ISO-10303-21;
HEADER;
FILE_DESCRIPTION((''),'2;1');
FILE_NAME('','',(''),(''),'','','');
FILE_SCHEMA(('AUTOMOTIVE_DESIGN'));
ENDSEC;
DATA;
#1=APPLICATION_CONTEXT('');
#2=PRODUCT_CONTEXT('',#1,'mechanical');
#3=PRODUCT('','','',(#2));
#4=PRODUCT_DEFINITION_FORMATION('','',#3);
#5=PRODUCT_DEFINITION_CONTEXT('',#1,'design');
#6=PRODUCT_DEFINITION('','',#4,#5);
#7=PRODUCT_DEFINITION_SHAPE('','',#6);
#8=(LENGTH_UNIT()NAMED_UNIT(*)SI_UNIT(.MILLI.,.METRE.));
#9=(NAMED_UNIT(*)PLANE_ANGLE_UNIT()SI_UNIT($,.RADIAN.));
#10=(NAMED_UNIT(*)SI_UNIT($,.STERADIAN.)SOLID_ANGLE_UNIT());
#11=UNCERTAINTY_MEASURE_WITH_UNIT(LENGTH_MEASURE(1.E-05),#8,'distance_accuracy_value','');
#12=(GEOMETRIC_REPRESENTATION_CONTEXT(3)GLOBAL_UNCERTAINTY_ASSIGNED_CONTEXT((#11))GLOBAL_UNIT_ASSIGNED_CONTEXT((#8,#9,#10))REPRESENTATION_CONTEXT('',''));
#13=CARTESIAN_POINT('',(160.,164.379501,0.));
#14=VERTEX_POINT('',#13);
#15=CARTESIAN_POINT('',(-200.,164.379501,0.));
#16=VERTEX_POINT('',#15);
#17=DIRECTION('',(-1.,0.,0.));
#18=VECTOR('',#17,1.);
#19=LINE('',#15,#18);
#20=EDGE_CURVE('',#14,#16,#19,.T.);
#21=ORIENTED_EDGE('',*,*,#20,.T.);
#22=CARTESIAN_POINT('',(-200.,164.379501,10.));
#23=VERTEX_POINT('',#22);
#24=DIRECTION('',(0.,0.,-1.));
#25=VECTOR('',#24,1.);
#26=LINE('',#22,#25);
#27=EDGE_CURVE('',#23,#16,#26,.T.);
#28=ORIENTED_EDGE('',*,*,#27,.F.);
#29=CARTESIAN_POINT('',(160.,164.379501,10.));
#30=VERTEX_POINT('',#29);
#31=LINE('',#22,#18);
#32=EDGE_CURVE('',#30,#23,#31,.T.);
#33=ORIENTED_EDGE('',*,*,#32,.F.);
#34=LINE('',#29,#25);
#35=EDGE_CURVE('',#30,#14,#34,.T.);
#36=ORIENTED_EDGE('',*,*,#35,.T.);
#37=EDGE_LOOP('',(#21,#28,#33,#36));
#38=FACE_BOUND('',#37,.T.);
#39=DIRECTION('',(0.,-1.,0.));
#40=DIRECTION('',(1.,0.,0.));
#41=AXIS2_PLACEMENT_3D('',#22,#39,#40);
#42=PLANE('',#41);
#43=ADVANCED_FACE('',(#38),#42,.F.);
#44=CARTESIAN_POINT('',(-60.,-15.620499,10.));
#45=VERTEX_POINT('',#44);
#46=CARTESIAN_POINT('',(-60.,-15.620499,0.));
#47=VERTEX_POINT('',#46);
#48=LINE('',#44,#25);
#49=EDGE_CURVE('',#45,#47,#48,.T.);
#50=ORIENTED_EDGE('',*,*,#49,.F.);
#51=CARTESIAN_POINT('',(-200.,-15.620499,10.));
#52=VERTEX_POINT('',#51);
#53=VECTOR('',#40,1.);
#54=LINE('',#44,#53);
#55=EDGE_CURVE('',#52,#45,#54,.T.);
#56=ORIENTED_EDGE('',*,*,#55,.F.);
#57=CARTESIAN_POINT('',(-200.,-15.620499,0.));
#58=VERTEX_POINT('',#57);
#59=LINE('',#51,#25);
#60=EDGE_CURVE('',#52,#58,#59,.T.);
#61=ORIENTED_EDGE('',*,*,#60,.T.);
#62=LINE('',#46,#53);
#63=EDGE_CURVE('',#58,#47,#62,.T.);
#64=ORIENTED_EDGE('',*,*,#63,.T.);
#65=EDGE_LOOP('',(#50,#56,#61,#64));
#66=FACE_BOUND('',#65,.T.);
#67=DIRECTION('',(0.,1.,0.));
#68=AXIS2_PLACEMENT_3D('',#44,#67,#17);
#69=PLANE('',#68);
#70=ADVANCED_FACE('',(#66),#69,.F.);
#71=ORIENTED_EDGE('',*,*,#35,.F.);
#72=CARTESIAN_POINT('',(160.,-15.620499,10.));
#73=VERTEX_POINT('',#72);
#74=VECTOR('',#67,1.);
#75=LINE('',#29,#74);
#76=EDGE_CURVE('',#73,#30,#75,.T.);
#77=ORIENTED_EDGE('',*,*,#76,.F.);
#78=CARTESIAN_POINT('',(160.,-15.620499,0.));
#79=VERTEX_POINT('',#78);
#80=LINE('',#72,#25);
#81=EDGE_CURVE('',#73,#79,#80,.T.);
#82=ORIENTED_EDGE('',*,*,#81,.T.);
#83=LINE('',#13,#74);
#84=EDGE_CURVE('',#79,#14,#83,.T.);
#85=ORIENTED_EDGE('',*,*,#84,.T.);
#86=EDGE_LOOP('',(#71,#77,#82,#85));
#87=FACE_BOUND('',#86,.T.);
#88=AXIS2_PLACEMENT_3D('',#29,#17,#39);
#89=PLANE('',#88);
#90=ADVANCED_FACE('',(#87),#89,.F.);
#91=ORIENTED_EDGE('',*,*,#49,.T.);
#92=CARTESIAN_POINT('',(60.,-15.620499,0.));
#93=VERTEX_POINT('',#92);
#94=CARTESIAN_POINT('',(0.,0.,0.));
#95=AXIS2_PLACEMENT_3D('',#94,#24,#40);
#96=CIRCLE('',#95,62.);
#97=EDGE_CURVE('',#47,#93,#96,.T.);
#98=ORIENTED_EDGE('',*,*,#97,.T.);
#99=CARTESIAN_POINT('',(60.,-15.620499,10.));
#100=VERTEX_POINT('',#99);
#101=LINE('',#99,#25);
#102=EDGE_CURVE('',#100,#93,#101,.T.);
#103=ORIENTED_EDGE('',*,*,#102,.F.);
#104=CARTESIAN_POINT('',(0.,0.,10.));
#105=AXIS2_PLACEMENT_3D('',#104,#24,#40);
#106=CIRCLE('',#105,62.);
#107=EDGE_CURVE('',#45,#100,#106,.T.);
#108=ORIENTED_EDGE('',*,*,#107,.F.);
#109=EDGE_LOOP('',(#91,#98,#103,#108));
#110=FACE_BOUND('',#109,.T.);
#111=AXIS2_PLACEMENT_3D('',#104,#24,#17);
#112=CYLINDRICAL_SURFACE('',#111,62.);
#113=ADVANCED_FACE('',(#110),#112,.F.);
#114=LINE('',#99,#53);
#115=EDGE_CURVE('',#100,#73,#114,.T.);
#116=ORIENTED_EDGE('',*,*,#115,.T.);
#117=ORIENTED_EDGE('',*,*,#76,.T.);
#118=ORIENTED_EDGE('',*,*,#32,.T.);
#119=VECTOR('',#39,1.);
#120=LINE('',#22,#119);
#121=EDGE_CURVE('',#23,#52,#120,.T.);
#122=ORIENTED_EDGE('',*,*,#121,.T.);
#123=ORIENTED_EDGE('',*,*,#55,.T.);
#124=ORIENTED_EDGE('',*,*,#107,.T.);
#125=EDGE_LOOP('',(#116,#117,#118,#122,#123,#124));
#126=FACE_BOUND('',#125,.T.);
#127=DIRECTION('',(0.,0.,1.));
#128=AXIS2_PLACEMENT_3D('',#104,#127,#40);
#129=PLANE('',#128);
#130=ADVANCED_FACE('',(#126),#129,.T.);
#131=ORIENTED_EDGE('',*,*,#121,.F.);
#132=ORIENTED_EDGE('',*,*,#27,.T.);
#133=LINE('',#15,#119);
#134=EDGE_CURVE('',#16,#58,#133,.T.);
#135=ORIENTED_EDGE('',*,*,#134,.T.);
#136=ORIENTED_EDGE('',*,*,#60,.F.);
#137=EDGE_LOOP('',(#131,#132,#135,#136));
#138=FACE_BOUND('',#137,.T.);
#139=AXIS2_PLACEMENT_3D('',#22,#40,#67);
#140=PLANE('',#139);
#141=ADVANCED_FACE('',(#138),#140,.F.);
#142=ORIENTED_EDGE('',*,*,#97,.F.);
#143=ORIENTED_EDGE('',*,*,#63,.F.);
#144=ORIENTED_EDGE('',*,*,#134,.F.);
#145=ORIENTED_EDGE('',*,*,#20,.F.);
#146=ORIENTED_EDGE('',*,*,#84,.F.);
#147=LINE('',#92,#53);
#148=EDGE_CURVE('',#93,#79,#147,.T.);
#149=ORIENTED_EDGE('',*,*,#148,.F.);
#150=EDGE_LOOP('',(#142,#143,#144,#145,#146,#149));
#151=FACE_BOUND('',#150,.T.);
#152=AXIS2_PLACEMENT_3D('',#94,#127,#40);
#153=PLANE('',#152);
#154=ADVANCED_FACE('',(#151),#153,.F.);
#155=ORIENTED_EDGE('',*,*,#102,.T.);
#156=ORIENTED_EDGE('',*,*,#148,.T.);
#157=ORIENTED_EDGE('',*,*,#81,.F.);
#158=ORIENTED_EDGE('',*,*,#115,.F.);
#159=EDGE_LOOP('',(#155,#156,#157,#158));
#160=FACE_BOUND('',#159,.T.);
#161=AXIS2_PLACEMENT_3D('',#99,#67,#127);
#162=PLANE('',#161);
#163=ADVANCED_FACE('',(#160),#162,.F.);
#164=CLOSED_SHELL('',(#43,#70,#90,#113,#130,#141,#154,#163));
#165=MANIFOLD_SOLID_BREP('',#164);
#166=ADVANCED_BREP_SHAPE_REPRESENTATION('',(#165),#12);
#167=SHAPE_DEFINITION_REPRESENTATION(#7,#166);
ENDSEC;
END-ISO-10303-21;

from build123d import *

# Parameters (mm, degrees)
BOSS_EXTRUDE1_DEPTH = 10


with BuildPart() as part:
    # Sketch2 → Boss-Extrude1 (new body)
    with BuildSketch(Plane.XY):
        with BuildLine():
            Line((-200, 164.379500648), (-200, -15.620499352))
            Line((-200, -15.620499352), (-60, -15.620499352))
            ThreePointArc((-60, -15.620499352), (0, 62), (60, -15.620499352))
            Line((60, -15.620499352), (160, -15.620499352))
            Line((160, -15.620499352), (160, 164.379500648))
            Line((160, 164.379500648), (-200, 164.379500648))
        make_face()
    extrude(amount=BOSS_EXTRUDE1_DEPTH)


solid = part.part
